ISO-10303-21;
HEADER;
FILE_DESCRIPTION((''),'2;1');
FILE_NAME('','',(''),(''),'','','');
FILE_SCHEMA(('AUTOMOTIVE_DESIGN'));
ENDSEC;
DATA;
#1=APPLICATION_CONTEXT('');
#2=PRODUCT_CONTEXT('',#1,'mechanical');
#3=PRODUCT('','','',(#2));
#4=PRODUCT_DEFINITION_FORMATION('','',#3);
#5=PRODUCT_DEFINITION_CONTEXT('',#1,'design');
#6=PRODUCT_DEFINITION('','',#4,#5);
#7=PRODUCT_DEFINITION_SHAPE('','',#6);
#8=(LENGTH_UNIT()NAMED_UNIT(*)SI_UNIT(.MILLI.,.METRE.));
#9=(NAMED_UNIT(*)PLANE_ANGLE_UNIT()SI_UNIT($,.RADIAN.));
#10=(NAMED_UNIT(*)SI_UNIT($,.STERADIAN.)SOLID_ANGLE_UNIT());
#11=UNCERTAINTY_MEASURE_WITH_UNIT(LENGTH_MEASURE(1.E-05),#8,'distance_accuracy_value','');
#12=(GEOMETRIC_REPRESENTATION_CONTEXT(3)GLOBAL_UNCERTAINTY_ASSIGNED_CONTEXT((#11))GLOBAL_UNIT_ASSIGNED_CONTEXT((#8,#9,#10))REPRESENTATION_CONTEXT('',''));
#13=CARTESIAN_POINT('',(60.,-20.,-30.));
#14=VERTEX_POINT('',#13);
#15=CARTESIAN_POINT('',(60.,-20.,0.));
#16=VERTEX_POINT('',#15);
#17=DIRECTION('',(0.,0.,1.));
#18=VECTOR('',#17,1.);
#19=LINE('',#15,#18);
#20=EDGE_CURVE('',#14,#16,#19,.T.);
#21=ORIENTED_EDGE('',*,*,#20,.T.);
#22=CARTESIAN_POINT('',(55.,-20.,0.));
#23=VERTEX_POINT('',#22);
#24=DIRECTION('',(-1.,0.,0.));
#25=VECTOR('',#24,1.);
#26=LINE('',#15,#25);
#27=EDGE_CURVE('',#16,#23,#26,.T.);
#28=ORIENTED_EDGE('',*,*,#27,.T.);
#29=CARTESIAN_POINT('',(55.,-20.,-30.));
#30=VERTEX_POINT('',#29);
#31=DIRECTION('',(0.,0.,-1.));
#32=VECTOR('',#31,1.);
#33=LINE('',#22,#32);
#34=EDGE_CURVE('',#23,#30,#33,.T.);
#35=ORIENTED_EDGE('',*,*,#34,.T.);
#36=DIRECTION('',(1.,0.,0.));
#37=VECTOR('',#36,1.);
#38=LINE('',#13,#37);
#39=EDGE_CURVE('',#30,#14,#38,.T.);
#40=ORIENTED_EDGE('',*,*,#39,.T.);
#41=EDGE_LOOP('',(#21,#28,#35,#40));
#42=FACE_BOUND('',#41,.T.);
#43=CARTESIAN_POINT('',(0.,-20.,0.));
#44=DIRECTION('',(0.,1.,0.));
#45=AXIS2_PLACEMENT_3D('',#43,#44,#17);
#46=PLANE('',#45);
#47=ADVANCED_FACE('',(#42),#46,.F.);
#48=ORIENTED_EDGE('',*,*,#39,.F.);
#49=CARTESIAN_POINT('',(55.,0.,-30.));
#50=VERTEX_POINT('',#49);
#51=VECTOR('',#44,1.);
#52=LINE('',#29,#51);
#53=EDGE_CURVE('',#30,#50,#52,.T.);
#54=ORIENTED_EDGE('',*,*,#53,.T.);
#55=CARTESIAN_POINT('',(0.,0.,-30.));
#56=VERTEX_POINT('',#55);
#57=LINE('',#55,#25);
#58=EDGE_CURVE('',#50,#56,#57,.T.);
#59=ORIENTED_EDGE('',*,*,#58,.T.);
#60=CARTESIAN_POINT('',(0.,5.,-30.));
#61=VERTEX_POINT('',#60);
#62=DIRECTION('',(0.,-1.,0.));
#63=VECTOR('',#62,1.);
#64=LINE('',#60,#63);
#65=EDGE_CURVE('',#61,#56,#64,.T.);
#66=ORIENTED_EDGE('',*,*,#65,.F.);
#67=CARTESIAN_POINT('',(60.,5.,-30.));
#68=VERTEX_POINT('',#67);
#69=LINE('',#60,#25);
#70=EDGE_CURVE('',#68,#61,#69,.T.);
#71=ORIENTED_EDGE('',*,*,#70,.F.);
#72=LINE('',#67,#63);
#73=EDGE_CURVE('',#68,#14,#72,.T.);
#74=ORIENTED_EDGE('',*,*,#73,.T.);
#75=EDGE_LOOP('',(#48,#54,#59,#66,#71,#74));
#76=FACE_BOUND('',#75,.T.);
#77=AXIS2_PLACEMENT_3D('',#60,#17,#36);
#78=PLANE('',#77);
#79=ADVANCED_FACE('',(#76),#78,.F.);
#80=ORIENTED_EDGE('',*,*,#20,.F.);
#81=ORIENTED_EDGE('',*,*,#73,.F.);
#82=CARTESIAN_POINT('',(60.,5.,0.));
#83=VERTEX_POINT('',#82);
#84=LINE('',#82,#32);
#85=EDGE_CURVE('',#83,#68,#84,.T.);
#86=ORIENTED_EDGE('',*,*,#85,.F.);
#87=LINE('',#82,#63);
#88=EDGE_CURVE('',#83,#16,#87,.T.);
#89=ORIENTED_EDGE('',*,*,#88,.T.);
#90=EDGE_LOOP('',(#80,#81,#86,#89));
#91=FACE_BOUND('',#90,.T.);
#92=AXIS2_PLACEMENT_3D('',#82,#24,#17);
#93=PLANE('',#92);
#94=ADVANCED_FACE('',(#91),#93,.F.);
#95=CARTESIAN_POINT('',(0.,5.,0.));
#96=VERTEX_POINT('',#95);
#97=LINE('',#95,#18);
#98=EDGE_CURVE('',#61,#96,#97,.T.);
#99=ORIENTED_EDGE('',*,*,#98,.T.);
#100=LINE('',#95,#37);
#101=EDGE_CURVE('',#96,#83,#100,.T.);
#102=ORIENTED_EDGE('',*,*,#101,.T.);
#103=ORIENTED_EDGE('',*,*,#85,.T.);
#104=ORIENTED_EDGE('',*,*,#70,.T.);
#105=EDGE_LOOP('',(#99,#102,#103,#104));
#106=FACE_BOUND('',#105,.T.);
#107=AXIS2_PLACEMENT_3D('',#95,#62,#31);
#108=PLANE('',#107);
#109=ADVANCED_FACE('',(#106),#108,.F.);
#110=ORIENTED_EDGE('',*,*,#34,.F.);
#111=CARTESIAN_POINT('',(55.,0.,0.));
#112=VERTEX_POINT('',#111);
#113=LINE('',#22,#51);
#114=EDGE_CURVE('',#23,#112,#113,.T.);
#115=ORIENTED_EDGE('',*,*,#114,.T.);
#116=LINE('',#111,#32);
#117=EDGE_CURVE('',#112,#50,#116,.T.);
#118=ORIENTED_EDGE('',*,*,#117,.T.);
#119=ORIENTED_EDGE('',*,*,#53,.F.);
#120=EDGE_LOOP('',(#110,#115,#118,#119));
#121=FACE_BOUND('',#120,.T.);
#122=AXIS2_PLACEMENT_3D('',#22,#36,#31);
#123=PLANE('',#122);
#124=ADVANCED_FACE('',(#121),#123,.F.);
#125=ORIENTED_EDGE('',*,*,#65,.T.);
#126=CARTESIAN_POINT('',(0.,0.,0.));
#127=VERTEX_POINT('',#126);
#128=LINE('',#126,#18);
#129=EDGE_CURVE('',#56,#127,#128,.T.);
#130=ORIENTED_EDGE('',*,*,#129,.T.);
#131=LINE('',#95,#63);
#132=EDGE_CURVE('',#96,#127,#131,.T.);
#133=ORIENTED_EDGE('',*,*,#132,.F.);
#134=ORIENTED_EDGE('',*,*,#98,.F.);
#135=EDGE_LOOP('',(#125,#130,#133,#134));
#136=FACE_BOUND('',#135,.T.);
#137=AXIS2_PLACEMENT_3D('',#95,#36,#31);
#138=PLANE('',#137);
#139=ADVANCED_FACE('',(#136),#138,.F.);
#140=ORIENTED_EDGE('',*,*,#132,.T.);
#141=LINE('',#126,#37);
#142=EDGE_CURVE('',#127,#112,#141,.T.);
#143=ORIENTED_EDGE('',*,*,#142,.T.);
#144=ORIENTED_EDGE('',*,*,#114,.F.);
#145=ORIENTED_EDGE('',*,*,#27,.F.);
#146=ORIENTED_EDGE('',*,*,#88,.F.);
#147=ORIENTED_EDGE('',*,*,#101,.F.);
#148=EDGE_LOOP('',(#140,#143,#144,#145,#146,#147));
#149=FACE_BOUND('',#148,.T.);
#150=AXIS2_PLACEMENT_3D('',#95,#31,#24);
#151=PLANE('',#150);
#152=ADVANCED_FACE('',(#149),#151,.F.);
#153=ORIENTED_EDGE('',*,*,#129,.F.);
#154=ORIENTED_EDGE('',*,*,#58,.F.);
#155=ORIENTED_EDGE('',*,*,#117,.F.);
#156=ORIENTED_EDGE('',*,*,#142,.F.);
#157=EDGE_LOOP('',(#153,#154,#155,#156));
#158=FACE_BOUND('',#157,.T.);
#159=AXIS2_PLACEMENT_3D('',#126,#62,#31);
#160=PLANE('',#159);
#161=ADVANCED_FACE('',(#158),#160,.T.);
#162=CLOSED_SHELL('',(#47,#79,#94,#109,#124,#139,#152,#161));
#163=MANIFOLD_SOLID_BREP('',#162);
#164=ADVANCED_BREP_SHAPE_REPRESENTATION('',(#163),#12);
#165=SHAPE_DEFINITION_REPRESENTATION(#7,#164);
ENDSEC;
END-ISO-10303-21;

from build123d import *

# Parameters (mm, degrees)
SKETCH1_W           = 60
SKETCH1_H           = 30
BOSS_EXTRUDE1_DEPTH = 5
SKETCH2_W           = 5
SKETCH2_H           = 30
BOSS_EXTRUDE2_DEPTH = 20


with BuildPart() as part:
    # Sketch1 → Boss-Extrude1 (new body)
    with BuildSketch(Plane(origin=(0, 0, 0), x_dir=(1, 0, 0), z_dir=(0, 1, 0))):
        with Locations((30, 15)):
            Rectangle(SKETCH1_W, SKETCH1_H)
    extrude(amount=BOSS_EXTRUDE1_DEPTH)

    # Sketch2 → Boss-Extrude2 (add)
    with BuildSketch(Plane.XZ):
        with Locations((57.5, -15)):
            Rectangle(SKETCH2_W, SKETCH2_H)
    extrude(amount=BOSS_EXTRUDE2_DEPTH)


solid = part.part
